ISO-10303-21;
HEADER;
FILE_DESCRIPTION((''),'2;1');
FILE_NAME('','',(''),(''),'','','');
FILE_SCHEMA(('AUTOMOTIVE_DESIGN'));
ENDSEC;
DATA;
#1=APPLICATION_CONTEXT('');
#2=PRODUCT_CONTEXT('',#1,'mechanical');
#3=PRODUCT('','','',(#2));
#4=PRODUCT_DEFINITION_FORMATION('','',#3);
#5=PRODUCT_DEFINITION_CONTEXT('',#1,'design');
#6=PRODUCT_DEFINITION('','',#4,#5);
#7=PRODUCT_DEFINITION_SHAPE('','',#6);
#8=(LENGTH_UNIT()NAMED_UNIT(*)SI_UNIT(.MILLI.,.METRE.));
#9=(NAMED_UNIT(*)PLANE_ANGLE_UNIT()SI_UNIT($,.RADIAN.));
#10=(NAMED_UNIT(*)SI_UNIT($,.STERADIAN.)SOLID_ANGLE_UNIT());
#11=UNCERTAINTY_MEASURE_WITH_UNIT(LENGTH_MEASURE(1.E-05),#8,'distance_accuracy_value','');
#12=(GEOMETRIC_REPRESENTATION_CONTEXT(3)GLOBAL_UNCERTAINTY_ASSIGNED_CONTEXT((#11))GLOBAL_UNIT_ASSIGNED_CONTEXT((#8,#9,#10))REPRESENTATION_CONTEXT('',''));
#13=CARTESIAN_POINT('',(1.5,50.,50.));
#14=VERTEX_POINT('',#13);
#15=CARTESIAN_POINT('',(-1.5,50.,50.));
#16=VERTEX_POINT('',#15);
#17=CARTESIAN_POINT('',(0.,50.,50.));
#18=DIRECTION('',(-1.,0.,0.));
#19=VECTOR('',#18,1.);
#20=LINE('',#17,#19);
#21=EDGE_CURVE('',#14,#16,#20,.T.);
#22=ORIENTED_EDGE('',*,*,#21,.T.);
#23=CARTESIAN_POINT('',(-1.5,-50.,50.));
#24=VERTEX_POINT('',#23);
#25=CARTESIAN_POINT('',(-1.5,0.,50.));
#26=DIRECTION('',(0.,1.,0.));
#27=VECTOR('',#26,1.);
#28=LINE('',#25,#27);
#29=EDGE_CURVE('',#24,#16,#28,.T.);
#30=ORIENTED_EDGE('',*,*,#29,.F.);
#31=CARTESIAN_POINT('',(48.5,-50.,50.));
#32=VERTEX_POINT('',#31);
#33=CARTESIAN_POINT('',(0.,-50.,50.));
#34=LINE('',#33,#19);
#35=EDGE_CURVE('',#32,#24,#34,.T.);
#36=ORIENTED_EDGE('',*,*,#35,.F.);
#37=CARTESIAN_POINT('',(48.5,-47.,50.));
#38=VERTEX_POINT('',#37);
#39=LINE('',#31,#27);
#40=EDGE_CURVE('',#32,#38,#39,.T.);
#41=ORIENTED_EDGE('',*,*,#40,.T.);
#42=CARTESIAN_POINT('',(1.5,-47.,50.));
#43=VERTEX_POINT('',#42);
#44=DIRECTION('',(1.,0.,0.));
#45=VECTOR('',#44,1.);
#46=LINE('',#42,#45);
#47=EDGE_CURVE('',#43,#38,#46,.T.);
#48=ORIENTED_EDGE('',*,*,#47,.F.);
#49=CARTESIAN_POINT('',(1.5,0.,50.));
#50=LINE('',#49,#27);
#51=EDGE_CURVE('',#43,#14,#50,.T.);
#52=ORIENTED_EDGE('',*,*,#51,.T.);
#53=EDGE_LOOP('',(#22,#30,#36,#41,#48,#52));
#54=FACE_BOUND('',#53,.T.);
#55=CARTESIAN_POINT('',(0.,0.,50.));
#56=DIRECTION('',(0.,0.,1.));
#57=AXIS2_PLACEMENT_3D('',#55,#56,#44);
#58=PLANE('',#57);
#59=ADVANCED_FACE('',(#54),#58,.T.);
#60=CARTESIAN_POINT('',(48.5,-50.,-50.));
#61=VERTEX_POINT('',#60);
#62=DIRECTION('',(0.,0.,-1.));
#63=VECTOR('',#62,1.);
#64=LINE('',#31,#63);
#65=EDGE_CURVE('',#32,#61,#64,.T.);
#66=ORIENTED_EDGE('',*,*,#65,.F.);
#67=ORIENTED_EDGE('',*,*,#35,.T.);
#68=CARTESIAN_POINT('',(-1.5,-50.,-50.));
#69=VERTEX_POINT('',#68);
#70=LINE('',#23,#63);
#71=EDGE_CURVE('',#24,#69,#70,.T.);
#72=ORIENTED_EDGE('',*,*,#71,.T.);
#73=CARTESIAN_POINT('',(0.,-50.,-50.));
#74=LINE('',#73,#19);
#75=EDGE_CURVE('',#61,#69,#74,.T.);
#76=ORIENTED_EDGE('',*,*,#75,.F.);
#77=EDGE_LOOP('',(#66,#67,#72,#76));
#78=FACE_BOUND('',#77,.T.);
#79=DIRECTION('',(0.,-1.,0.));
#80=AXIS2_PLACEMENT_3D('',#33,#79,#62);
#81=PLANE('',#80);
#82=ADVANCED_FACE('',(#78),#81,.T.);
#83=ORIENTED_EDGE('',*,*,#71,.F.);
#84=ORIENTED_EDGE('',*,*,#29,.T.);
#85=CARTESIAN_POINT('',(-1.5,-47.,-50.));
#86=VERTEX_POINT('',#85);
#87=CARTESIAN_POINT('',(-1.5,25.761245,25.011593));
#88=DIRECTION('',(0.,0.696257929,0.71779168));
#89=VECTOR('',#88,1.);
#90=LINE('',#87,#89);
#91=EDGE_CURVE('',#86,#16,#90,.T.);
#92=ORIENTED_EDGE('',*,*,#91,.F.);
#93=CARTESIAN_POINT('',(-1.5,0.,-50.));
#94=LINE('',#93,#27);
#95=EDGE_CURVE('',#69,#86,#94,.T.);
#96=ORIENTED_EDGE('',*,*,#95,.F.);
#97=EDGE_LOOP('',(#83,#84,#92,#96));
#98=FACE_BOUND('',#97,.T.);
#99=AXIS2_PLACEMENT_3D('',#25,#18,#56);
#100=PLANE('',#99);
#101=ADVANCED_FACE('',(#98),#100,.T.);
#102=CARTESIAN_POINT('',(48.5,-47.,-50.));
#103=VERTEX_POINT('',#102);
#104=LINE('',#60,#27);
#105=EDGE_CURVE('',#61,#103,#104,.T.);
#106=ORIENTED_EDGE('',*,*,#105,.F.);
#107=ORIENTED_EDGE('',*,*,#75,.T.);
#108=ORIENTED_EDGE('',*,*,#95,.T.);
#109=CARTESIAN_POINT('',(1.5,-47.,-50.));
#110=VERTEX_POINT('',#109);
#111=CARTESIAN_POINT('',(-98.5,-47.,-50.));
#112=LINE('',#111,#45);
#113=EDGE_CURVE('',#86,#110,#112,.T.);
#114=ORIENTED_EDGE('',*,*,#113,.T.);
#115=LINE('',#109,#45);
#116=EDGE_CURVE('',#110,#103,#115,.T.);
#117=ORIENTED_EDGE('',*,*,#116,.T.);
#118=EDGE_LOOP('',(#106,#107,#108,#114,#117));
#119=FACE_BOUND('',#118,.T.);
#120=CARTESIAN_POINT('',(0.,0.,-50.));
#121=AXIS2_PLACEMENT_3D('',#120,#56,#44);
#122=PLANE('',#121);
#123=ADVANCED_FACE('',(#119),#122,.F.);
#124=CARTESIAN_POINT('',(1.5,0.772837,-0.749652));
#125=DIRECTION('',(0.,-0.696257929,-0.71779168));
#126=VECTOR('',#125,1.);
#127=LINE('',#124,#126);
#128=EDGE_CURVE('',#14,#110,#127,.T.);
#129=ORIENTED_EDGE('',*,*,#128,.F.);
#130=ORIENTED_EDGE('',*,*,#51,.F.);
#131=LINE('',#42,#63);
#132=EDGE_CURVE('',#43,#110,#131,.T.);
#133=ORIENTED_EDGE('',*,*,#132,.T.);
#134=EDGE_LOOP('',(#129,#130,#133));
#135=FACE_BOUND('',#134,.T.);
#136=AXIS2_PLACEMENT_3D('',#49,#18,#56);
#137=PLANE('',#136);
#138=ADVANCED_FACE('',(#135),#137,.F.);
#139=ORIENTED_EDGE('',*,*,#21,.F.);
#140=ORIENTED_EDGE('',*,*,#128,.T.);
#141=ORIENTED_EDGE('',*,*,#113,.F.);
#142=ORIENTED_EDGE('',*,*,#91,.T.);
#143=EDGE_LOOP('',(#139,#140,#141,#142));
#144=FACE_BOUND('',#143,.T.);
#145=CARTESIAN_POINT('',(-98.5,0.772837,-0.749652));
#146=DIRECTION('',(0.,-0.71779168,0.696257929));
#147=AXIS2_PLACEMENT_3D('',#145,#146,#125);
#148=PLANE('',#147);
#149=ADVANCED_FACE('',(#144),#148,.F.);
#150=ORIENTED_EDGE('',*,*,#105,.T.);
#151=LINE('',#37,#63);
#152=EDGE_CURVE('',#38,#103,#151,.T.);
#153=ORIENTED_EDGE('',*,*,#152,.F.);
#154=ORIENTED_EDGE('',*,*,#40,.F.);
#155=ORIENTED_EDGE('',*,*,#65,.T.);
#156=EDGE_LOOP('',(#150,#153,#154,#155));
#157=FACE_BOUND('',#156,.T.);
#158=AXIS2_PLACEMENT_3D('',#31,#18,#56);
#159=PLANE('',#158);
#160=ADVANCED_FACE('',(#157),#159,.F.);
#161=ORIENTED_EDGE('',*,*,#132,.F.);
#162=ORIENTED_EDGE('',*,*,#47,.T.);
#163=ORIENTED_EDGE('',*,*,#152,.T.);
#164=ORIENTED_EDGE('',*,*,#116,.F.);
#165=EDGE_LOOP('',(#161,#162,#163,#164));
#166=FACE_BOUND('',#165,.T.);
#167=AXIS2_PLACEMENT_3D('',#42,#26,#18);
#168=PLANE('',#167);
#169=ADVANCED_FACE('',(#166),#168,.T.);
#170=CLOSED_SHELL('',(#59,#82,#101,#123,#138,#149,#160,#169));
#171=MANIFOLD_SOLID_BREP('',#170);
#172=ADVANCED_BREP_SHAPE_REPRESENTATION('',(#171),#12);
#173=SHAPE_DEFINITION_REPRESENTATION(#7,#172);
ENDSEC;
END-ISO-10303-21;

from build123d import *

# Parameters (mm, degrees)
CROQUIS1_W              = 3
CROQUIS1_H              = 100
CROQUIS1_W_2            = 47
CROQUIS1_H_2            = 3
SALIENTE_EXTRUIR1_DEPTH = 50
CORTAR_EXTRUIR1_DEPTH   = 100


with BuildPart() as part:
    # Croquis1 → Saliente-Extruir1 (new, symmetric)
    with BuildSketch(Plane.XY):
        Rectangle(CROQUIS1_W, CROQUIS1_H)
        with Locations((25, -48.5)):
            Rectangle(CROQUIS1_W_2, CROQUIS1_H_2)
    extrude(amount=SALIENTE_EXTRUIR1_DEPTH, both=True)

    # Croquis2 → Cortar-Extruir1 (cut)
    with BuildSketch(Plane(origin=(1.5, 0, 0), x_dir=(0, 0, -1), z_dir=(1, 0, 0))):
        Polygon((-50, 50), (50, -47), (50, 50), align=None)
    extrude(amount=-CORTAR_EXTRUIR1_DEPTH, mode=Mode.SUBTRACT)


solid = part.part
